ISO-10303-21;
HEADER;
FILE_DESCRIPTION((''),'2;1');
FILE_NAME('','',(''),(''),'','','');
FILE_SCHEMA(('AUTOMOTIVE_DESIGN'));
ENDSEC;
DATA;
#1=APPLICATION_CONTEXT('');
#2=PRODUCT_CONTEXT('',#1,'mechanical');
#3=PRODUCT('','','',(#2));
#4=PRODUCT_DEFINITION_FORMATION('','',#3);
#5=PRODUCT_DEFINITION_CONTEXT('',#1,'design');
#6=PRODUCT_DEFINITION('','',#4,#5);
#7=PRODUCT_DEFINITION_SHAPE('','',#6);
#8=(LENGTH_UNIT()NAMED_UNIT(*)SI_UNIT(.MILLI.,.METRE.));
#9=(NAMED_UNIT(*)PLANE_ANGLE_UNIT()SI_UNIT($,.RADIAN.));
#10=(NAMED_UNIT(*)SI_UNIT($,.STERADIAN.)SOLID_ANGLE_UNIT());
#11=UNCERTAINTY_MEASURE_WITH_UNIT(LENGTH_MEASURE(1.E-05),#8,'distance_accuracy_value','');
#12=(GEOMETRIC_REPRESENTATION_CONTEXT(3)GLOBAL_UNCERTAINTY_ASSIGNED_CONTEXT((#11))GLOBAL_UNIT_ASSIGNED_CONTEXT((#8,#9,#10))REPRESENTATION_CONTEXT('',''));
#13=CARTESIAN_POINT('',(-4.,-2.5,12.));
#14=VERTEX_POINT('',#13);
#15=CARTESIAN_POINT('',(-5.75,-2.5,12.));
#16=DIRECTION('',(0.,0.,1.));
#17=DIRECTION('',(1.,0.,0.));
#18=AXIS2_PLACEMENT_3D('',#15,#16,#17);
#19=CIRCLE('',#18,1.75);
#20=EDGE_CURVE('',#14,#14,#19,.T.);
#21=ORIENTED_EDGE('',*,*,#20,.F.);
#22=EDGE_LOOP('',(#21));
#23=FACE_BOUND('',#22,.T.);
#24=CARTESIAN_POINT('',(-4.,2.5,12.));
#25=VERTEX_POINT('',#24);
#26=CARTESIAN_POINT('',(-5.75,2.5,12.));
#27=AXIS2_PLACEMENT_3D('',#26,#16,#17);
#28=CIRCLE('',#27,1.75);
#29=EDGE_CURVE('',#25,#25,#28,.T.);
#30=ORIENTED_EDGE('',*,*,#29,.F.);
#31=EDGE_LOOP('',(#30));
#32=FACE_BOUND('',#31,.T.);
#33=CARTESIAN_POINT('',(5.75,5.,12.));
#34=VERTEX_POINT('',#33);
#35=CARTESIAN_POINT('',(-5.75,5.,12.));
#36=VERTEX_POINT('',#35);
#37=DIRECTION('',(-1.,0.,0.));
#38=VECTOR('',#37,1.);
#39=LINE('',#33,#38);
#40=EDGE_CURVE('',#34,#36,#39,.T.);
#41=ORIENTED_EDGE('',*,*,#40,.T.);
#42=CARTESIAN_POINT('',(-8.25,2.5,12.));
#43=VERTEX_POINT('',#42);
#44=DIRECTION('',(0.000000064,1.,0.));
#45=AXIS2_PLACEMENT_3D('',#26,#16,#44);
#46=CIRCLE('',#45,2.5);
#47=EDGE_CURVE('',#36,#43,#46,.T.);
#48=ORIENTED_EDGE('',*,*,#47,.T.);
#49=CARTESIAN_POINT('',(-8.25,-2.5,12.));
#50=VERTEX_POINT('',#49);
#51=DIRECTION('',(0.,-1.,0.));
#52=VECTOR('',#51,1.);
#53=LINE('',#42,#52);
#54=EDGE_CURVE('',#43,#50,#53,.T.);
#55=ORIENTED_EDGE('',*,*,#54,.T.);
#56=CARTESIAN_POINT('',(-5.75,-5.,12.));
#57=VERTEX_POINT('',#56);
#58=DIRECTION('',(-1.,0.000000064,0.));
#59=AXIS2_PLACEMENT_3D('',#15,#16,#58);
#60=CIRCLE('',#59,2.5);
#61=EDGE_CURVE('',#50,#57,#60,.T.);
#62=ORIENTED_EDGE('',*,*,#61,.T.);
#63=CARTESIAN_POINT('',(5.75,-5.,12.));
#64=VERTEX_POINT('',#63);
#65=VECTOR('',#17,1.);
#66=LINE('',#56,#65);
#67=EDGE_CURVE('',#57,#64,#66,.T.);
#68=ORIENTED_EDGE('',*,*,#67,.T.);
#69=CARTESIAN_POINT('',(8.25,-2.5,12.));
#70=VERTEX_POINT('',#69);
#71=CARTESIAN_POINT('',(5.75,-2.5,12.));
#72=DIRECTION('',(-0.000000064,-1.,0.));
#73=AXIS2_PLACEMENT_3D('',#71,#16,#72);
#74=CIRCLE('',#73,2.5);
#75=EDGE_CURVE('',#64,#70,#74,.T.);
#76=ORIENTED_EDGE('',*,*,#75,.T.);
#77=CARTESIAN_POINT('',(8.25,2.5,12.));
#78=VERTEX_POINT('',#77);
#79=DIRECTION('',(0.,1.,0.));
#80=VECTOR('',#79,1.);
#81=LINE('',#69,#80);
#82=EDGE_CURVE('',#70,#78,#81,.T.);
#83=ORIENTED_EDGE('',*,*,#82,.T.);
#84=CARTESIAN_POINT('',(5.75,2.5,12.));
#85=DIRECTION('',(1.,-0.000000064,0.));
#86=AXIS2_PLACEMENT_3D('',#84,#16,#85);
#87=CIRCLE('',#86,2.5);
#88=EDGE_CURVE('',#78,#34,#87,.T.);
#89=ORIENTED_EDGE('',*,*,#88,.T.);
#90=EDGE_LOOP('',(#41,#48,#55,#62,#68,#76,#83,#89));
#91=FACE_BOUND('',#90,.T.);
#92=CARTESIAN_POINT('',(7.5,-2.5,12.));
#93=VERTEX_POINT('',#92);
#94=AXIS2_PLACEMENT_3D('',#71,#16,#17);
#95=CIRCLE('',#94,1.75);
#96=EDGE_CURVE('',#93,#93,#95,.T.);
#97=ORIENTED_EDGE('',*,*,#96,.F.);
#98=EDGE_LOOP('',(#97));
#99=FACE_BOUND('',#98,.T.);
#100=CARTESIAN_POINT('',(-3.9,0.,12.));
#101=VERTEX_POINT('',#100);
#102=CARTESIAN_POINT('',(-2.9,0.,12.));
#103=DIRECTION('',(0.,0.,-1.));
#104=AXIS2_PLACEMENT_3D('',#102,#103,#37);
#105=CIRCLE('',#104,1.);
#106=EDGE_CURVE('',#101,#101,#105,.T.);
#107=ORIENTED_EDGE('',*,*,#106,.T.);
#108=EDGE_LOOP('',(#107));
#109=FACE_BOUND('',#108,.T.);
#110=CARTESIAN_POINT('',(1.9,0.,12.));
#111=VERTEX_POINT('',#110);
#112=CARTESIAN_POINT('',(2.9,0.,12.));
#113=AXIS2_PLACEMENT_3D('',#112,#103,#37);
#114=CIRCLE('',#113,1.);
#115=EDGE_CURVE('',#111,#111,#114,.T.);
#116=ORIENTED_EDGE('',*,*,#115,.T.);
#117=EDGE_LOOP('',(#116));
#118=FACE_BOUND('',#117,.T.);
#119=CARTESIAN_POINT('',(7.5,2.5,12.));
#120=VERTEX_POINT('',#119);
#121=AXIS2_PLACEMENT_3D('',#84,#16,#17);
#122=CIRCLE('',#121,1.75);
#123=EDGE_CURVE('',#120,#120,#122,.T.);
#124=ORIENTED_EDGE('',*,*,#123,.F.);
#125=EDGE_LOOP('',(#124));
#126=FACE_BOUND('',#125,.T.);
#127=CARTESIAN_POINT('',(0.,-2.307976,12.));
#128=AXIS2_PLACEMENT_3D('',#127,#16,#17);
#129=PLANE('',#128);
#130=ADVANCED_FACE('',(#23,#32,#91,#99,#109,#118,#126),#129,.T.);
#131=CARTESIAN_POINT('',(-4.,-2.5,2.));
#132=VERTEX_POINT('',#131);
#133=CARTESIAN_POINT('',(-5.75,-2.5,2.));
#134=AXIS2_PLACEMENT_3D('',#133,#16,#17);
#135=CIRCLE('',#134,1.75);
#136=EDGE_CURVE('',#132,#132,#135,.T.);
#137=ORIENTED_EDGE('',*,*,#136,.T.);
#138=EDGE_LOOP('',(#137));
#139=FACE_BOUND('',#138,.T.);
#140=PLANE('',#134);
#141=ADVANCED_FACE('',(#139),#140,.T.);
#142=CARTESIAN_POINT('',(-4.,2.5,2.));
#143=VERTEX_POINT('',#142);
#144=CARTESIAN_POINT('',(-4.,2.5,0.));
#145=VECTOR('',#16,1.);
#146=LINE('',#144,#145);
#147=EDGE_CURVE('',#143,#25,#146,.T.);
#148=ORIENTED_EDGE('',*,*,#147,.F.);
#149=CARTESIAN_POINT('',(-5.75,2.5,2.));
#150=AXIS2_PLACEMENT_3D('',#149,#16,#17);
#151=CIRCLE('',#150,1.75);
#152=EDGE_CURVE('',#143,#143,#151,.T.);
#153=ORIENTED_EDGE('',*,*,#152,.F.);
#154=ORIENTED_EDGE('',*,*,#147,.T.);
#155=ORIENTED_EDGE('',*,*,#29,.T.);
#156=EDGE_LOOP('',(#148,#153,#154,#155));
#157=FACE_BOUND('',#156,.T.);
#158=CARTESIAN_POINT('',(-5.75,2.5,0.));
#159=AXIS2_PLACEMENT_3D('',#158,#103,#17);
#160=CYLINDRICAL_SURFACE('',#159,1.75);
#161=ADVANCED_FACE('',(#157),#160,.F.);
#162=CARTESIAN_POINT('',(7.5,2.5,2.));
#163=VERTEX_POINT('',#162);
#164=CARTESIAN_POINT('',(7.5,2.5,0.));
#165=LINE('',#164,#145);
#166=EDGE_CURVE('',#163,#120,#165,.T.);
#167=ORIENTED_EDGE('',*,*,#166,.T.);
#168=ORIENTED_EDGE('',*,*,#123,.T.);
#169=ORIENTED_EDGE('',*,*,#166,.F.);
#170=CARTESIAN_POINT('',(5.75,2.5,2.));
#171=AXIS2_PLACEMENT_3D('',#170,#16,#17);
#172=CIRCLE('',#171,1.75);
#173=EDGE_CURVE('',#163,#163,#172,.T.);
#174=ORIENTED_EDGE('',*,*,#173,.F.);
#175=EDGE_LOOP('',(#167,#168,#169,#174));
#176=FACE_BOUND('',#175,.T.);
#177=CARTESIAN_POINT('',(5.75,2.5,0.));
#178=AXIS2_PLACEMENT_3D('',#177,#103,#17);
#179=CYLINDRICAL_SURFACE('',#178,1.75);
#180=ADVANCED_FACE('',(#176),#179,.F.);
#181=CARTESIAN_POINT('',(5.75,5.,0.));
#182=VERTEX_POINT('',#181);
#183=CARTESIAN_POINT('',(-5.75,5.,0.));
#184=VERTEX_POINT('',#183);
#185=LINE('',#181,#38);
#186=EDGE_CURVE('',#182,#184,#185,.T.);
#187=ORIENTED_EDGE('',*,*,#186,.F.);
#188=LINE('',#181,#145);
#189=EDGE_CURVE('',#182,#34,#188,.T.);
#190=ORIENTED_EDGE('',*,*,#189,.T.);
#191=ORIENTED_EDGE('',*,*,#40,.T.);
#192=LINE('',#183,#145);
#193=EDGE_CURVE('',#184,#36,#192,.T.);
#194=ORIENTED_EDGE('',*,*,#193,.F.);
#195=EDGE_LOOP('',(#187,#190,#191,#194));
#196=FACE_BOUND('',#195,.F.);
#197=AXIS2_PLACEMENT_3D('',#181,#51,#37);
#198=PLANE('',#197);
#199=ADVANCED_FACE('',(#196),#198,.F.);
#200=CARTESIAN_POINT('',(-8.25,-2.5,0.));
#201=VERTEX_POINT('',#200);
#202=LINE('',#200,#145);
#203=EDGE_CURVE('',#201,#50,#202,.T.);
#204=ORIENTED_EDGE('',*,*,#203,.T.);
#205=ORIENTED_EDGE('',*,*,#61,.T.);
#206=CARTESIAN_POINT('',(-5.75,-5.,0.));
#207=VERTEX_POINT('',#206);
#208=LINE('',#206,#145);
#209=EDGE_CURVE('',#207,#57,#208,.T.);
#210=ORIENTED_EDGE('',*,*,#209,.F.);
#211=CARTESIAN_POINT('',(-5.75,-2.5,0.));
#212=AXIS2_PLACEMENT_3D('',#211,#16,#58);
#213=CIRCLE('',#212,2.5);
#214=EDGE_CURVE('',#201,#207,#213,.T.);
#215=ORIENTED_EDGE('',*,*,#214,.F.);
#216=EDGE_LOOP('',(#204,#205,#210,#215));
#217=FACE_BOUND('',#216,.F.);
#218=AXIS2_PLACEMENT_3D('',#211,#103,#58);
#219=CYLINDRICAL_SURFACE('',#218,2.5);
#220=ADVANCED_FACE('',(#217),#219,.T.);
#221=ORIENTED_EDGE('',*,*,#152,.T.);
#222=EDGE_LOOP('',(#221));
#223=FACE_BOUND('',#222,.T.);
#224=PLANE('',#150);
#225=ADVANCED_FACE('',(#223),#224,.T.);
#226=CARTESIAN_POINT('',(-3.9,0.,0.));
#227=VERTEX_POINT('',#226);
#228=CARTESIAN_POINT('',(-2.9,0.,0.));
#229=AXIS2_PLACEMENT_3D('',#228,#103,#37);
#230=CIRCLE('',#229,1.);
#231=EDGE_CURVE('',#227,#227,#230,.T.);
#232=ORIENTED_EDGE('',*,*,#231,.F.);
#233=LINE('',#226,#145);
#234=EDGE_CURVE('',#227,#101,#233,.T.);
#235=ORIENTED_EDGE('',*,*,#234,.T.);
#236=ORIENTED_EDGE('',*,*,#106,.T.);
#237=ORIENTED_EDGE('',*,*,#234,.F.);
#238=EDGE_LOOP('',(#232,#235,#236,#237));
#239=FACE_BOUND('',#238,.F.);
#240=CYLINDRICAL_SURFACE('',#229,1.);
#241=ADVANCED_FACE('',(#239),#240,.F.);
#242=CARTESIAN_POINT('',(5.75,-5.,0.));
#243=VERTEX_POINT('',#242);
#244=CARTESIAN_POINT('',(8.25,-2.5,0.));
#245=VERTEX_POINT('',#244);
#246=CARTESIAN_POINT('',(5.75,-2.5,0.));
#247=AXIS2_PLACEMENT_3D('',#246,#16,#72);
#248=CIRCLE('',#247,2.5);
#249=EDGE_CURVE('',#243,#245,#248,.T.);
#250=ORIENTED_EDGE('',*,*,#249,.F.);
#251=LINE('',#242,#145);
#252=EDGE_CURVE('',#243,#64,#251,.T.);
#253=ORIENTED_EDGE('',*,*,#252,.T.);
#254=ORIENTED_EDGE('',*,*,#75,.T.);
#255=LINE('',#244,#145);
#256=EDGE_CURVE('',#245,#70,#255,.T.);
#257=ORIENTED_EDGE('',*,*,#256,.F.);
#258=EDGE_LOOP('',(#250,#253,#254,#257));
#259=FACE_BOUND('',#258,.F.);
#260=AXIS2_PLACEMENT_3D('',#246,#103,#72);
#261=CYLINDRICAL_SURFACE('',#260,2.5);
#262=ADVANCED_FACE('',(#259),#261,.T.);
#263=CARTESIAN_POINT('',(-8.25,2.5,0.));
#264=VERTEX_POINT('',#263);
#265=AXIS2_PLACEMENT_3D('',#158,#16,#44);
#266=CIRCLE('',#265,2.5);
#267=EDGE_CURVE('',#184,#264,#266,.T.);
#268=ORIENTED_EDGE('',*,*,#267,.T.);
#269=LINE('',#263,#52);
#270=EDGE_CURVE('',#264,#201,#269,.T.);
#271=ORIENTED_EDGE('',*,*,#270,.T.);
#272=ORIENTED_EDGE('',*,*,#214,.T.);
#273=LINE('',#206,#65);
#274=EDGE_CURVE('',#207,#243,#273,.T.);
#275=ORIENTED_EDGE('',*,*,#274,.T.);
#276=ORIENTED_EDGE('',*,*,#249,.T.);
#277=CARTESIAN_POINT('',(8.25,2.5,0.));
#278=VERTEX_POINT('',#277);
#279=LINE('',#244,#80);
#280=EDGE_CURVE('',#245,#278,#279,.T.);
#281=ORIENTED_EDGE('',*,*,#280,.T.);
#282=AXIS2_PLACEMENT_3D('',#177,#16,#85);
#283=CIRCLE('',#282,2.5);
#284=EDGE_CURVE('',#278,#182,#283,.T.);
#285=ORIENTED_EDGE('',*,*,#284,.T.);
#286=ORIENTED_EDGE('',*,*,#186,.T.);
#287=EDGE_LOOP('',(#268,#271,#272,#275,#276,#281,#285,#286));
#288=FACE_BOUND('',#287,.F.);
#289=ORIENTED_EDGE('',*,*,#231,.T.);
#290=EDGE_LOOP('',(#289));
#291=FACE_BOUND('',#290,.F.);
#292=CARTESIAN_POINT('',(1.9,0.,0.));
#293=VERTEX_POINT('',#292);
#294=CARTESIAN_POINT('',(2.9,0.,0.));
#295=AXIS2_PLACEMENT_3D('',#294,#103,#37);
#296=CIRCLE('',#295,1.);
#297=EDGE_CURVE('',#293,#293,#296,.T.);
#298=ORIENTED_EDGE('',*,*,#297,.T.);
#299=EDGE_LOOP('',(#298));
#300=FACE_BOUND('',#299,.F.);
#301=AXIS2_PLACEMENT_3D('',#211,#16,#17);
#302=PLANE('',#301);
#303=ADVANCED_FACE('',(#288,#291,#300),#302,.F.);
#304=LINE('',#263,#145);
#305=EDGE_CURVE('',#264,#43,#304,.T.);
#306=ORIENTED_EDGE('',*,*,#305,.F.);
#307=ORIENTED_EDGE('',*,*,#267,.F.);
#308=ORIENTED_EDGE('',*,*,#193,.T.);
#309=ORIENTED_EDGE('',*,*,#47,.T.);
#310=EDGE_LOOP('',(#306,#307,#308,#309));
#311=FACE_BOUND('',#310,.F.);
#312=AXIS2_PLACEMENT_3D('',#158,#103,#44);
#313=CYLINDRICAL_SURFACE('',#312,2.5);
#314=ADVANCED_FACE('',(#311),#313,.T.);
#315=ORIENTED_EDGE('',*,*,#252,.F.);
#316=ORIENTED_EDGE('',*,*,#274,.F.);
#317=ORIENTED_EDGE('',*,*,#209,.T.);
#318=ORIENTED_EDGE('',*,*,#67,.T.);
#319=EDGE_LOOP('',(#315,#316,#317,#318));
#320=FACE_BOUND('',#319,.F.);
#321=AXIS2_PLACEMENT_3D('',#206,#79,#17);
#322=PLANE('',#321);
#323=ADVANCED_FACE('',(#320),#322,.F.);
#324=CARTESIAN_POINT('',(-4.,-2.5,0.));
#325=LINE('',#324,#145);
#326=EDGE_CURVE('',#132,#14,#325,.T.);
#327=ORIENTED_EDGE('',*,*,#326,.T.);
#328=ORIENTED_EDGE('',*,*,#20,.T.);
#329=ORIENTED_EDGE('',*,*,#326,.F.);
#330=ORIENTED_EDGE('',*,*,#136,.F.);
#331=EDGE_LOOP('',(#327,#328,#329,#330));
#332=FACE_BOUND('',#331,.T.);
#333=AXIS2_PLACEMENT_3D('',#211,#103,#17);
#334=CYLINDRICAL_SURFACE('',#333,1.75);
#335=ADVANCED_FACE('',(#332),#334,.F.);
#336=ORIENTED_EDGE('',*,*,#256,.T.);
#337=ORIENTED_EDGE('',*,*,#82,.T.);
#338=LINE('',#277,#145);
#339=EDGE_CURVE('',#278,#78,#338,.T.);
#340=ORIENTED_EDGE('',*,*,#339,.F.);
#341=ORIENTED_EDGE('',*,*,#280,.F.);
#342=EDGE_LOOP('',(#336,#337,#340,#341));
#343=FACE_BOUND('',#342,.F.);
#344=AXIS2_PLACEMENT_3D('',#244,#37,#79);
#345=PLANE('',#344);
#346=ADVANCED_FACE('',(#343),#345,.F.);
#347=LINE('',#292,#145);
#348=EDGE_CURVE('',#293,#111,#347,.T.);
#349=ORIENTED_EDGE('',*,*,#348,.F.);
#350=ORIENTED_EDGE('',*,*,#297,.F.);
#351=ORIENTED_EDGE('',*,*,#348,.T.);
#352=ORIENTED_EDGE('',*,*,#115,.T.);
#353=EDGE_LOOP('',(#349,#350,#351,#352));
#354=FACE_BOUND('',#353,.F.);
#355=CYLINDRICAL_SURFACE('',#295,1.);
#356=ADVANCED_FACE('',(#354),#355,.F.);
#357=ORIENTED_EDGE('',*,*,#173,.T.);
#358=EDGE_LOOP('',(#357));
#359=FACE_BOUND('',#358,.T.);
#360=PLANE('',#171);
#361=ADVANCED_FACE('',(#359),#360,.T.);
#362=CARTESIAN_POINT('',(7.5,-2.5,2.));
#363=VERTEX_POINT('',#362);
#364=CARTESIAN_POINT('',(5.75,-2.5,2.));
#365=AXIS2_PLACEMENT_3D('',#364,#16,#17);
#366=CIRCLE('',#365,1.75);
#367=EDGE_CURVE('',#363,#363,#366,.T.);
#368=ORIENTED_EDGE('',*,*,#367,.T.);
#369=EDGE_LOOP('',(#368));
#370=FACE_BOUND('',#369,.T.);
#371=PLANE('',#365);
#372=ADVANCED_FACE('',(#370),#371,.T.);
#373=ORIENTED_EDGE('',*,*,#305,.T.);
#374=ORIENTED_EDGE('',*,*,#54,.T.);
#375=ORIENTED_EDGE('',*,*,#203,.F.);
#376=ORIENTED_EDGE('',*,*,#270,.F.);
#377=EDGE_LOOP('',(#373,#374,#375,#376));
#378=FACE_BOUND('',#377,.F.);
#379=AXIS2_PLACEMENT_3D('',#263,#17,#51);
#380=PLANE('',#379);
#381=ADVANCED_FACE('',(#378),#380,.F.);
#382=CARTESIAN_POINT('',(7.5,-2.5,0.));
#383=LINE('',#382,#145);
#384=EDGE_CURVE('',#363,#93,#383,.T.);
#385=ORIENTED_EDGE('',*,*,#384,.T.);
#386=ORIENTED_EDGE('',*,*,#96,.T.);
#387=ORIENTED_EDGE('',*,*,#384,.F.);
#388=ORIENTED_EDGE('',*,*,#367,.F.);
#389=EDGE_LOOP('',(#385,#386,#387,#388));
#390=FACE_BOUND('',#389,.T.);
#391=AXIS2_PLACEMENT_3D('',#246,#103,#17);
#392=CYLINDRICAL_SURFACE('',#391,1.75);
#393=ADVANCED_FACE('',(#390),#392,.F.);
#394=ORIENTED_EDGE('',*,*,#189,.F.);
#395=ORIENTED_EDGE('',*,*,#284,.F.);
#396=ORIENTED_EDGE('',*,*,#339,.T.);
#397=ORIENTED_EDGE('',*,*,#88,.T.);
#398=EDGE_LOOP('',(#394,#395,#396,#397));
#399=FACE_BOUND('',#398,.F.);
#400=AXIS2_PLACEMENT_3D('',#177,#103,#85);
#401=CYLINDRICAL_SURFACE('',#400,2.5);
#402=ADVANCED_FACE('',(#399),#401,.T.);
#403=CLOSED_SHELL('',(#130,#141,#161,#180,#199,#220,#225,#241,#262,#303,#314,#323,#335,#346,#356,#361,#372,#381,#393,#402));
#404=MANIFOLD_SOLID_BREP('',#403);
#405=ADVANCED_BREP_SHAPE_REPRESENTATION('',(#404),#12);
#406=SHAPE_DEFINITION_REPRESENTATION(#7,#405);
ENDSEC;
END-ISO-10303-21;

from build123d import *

# Parameters (mm, degrees)
F0_R     = 1.75
F1_DEPTH = 12
F2_DEPTH = 2


with BuildPart() as f1:
    # F0 (on Top) → F1 (new body)
    with BuildSketch(Plane.XY):
        with BuildLine():
            Line((-3.9, 0), (-8.25, 0))
            Line((-8.25, 0), (-8.25, -2.5))
            ThreePointArc((-8.25, -2.5), (-7.517767, -4.267767), (-5.75, -5))
            Line((-5.75, -5), (5.75, -5))
            ThreePointArc((5.75, -5), (7.517767, -4.267767), (8.25, -2.5))
            Line((8.25, -2.5), (8.25, 0))
            Line((8.25, 0), (3.9, 0))
            ThreePointArc((3.9, 0), (2.9, -1), (1.9, 0))
            Line((1.9, 0), (-1.9, 0))
            ThreePointArc((-1.9, 0), (-2.9, -1), (-3.9, 0))
        make_face()
        with Locations((-5.75, -2.5)):
            Circle(F0_R, mode=Mode.SUBTRACT)
        with Locations((5.75, -2.5)):
            Circle(F0_R, mode=Mode.SUBTRACT)
        with BuildLine():
            Line((5.75, 5), (-5.75, 5))
            ThreePointArc((-5.75, 5), (-7.517767, 4.267767), (-8.25, 2.5))
            Line((-8.25, 2.5), (-8.25, 0))
            Line((-8.25, 0), (-3.9, 0))
            ThreePointArc((-3.9, 0), (-2.9, 1), (-1.9, 0))
            Line((-1.9, 0), (1.9, 0))
            ThreePointArc((1.9, 0), (2.9, 1), (3.9, 0))
            Line((3.9, 0), (8.25, 0))
            Line((8.25, 0), (8.25, 2.5))
            ThreePointArc((8.25, 2.5), (7.517767, 4.267767), (5.75, 5))
        make_face()
        with Locations((-5.75, 2.5)):
            Circle(F0_R, mode=Mode.SUBTRACT)
        with Locations((5.75, 2.5)):
            Circle(F0_R, mode=Mode.SUBTRACT)
    extrude(amount=F1_DEPTH)

    # F0 (on Top) → F2 (join)
    with BuildSketch(Plane.XY):
        with Locations((-5.75, -2.5)):
            Circle(F0_R)
        with Locations((5.75, -2.5)):
            Circle(F0_R)
        with Locations((5.75, 2.5)):
            Circle(F0_R)
        with Locations((-5.75, 2.5)):
            Circle(F0_R)
    extrude(amount=F2_DEPTH)


solid = f1.part
